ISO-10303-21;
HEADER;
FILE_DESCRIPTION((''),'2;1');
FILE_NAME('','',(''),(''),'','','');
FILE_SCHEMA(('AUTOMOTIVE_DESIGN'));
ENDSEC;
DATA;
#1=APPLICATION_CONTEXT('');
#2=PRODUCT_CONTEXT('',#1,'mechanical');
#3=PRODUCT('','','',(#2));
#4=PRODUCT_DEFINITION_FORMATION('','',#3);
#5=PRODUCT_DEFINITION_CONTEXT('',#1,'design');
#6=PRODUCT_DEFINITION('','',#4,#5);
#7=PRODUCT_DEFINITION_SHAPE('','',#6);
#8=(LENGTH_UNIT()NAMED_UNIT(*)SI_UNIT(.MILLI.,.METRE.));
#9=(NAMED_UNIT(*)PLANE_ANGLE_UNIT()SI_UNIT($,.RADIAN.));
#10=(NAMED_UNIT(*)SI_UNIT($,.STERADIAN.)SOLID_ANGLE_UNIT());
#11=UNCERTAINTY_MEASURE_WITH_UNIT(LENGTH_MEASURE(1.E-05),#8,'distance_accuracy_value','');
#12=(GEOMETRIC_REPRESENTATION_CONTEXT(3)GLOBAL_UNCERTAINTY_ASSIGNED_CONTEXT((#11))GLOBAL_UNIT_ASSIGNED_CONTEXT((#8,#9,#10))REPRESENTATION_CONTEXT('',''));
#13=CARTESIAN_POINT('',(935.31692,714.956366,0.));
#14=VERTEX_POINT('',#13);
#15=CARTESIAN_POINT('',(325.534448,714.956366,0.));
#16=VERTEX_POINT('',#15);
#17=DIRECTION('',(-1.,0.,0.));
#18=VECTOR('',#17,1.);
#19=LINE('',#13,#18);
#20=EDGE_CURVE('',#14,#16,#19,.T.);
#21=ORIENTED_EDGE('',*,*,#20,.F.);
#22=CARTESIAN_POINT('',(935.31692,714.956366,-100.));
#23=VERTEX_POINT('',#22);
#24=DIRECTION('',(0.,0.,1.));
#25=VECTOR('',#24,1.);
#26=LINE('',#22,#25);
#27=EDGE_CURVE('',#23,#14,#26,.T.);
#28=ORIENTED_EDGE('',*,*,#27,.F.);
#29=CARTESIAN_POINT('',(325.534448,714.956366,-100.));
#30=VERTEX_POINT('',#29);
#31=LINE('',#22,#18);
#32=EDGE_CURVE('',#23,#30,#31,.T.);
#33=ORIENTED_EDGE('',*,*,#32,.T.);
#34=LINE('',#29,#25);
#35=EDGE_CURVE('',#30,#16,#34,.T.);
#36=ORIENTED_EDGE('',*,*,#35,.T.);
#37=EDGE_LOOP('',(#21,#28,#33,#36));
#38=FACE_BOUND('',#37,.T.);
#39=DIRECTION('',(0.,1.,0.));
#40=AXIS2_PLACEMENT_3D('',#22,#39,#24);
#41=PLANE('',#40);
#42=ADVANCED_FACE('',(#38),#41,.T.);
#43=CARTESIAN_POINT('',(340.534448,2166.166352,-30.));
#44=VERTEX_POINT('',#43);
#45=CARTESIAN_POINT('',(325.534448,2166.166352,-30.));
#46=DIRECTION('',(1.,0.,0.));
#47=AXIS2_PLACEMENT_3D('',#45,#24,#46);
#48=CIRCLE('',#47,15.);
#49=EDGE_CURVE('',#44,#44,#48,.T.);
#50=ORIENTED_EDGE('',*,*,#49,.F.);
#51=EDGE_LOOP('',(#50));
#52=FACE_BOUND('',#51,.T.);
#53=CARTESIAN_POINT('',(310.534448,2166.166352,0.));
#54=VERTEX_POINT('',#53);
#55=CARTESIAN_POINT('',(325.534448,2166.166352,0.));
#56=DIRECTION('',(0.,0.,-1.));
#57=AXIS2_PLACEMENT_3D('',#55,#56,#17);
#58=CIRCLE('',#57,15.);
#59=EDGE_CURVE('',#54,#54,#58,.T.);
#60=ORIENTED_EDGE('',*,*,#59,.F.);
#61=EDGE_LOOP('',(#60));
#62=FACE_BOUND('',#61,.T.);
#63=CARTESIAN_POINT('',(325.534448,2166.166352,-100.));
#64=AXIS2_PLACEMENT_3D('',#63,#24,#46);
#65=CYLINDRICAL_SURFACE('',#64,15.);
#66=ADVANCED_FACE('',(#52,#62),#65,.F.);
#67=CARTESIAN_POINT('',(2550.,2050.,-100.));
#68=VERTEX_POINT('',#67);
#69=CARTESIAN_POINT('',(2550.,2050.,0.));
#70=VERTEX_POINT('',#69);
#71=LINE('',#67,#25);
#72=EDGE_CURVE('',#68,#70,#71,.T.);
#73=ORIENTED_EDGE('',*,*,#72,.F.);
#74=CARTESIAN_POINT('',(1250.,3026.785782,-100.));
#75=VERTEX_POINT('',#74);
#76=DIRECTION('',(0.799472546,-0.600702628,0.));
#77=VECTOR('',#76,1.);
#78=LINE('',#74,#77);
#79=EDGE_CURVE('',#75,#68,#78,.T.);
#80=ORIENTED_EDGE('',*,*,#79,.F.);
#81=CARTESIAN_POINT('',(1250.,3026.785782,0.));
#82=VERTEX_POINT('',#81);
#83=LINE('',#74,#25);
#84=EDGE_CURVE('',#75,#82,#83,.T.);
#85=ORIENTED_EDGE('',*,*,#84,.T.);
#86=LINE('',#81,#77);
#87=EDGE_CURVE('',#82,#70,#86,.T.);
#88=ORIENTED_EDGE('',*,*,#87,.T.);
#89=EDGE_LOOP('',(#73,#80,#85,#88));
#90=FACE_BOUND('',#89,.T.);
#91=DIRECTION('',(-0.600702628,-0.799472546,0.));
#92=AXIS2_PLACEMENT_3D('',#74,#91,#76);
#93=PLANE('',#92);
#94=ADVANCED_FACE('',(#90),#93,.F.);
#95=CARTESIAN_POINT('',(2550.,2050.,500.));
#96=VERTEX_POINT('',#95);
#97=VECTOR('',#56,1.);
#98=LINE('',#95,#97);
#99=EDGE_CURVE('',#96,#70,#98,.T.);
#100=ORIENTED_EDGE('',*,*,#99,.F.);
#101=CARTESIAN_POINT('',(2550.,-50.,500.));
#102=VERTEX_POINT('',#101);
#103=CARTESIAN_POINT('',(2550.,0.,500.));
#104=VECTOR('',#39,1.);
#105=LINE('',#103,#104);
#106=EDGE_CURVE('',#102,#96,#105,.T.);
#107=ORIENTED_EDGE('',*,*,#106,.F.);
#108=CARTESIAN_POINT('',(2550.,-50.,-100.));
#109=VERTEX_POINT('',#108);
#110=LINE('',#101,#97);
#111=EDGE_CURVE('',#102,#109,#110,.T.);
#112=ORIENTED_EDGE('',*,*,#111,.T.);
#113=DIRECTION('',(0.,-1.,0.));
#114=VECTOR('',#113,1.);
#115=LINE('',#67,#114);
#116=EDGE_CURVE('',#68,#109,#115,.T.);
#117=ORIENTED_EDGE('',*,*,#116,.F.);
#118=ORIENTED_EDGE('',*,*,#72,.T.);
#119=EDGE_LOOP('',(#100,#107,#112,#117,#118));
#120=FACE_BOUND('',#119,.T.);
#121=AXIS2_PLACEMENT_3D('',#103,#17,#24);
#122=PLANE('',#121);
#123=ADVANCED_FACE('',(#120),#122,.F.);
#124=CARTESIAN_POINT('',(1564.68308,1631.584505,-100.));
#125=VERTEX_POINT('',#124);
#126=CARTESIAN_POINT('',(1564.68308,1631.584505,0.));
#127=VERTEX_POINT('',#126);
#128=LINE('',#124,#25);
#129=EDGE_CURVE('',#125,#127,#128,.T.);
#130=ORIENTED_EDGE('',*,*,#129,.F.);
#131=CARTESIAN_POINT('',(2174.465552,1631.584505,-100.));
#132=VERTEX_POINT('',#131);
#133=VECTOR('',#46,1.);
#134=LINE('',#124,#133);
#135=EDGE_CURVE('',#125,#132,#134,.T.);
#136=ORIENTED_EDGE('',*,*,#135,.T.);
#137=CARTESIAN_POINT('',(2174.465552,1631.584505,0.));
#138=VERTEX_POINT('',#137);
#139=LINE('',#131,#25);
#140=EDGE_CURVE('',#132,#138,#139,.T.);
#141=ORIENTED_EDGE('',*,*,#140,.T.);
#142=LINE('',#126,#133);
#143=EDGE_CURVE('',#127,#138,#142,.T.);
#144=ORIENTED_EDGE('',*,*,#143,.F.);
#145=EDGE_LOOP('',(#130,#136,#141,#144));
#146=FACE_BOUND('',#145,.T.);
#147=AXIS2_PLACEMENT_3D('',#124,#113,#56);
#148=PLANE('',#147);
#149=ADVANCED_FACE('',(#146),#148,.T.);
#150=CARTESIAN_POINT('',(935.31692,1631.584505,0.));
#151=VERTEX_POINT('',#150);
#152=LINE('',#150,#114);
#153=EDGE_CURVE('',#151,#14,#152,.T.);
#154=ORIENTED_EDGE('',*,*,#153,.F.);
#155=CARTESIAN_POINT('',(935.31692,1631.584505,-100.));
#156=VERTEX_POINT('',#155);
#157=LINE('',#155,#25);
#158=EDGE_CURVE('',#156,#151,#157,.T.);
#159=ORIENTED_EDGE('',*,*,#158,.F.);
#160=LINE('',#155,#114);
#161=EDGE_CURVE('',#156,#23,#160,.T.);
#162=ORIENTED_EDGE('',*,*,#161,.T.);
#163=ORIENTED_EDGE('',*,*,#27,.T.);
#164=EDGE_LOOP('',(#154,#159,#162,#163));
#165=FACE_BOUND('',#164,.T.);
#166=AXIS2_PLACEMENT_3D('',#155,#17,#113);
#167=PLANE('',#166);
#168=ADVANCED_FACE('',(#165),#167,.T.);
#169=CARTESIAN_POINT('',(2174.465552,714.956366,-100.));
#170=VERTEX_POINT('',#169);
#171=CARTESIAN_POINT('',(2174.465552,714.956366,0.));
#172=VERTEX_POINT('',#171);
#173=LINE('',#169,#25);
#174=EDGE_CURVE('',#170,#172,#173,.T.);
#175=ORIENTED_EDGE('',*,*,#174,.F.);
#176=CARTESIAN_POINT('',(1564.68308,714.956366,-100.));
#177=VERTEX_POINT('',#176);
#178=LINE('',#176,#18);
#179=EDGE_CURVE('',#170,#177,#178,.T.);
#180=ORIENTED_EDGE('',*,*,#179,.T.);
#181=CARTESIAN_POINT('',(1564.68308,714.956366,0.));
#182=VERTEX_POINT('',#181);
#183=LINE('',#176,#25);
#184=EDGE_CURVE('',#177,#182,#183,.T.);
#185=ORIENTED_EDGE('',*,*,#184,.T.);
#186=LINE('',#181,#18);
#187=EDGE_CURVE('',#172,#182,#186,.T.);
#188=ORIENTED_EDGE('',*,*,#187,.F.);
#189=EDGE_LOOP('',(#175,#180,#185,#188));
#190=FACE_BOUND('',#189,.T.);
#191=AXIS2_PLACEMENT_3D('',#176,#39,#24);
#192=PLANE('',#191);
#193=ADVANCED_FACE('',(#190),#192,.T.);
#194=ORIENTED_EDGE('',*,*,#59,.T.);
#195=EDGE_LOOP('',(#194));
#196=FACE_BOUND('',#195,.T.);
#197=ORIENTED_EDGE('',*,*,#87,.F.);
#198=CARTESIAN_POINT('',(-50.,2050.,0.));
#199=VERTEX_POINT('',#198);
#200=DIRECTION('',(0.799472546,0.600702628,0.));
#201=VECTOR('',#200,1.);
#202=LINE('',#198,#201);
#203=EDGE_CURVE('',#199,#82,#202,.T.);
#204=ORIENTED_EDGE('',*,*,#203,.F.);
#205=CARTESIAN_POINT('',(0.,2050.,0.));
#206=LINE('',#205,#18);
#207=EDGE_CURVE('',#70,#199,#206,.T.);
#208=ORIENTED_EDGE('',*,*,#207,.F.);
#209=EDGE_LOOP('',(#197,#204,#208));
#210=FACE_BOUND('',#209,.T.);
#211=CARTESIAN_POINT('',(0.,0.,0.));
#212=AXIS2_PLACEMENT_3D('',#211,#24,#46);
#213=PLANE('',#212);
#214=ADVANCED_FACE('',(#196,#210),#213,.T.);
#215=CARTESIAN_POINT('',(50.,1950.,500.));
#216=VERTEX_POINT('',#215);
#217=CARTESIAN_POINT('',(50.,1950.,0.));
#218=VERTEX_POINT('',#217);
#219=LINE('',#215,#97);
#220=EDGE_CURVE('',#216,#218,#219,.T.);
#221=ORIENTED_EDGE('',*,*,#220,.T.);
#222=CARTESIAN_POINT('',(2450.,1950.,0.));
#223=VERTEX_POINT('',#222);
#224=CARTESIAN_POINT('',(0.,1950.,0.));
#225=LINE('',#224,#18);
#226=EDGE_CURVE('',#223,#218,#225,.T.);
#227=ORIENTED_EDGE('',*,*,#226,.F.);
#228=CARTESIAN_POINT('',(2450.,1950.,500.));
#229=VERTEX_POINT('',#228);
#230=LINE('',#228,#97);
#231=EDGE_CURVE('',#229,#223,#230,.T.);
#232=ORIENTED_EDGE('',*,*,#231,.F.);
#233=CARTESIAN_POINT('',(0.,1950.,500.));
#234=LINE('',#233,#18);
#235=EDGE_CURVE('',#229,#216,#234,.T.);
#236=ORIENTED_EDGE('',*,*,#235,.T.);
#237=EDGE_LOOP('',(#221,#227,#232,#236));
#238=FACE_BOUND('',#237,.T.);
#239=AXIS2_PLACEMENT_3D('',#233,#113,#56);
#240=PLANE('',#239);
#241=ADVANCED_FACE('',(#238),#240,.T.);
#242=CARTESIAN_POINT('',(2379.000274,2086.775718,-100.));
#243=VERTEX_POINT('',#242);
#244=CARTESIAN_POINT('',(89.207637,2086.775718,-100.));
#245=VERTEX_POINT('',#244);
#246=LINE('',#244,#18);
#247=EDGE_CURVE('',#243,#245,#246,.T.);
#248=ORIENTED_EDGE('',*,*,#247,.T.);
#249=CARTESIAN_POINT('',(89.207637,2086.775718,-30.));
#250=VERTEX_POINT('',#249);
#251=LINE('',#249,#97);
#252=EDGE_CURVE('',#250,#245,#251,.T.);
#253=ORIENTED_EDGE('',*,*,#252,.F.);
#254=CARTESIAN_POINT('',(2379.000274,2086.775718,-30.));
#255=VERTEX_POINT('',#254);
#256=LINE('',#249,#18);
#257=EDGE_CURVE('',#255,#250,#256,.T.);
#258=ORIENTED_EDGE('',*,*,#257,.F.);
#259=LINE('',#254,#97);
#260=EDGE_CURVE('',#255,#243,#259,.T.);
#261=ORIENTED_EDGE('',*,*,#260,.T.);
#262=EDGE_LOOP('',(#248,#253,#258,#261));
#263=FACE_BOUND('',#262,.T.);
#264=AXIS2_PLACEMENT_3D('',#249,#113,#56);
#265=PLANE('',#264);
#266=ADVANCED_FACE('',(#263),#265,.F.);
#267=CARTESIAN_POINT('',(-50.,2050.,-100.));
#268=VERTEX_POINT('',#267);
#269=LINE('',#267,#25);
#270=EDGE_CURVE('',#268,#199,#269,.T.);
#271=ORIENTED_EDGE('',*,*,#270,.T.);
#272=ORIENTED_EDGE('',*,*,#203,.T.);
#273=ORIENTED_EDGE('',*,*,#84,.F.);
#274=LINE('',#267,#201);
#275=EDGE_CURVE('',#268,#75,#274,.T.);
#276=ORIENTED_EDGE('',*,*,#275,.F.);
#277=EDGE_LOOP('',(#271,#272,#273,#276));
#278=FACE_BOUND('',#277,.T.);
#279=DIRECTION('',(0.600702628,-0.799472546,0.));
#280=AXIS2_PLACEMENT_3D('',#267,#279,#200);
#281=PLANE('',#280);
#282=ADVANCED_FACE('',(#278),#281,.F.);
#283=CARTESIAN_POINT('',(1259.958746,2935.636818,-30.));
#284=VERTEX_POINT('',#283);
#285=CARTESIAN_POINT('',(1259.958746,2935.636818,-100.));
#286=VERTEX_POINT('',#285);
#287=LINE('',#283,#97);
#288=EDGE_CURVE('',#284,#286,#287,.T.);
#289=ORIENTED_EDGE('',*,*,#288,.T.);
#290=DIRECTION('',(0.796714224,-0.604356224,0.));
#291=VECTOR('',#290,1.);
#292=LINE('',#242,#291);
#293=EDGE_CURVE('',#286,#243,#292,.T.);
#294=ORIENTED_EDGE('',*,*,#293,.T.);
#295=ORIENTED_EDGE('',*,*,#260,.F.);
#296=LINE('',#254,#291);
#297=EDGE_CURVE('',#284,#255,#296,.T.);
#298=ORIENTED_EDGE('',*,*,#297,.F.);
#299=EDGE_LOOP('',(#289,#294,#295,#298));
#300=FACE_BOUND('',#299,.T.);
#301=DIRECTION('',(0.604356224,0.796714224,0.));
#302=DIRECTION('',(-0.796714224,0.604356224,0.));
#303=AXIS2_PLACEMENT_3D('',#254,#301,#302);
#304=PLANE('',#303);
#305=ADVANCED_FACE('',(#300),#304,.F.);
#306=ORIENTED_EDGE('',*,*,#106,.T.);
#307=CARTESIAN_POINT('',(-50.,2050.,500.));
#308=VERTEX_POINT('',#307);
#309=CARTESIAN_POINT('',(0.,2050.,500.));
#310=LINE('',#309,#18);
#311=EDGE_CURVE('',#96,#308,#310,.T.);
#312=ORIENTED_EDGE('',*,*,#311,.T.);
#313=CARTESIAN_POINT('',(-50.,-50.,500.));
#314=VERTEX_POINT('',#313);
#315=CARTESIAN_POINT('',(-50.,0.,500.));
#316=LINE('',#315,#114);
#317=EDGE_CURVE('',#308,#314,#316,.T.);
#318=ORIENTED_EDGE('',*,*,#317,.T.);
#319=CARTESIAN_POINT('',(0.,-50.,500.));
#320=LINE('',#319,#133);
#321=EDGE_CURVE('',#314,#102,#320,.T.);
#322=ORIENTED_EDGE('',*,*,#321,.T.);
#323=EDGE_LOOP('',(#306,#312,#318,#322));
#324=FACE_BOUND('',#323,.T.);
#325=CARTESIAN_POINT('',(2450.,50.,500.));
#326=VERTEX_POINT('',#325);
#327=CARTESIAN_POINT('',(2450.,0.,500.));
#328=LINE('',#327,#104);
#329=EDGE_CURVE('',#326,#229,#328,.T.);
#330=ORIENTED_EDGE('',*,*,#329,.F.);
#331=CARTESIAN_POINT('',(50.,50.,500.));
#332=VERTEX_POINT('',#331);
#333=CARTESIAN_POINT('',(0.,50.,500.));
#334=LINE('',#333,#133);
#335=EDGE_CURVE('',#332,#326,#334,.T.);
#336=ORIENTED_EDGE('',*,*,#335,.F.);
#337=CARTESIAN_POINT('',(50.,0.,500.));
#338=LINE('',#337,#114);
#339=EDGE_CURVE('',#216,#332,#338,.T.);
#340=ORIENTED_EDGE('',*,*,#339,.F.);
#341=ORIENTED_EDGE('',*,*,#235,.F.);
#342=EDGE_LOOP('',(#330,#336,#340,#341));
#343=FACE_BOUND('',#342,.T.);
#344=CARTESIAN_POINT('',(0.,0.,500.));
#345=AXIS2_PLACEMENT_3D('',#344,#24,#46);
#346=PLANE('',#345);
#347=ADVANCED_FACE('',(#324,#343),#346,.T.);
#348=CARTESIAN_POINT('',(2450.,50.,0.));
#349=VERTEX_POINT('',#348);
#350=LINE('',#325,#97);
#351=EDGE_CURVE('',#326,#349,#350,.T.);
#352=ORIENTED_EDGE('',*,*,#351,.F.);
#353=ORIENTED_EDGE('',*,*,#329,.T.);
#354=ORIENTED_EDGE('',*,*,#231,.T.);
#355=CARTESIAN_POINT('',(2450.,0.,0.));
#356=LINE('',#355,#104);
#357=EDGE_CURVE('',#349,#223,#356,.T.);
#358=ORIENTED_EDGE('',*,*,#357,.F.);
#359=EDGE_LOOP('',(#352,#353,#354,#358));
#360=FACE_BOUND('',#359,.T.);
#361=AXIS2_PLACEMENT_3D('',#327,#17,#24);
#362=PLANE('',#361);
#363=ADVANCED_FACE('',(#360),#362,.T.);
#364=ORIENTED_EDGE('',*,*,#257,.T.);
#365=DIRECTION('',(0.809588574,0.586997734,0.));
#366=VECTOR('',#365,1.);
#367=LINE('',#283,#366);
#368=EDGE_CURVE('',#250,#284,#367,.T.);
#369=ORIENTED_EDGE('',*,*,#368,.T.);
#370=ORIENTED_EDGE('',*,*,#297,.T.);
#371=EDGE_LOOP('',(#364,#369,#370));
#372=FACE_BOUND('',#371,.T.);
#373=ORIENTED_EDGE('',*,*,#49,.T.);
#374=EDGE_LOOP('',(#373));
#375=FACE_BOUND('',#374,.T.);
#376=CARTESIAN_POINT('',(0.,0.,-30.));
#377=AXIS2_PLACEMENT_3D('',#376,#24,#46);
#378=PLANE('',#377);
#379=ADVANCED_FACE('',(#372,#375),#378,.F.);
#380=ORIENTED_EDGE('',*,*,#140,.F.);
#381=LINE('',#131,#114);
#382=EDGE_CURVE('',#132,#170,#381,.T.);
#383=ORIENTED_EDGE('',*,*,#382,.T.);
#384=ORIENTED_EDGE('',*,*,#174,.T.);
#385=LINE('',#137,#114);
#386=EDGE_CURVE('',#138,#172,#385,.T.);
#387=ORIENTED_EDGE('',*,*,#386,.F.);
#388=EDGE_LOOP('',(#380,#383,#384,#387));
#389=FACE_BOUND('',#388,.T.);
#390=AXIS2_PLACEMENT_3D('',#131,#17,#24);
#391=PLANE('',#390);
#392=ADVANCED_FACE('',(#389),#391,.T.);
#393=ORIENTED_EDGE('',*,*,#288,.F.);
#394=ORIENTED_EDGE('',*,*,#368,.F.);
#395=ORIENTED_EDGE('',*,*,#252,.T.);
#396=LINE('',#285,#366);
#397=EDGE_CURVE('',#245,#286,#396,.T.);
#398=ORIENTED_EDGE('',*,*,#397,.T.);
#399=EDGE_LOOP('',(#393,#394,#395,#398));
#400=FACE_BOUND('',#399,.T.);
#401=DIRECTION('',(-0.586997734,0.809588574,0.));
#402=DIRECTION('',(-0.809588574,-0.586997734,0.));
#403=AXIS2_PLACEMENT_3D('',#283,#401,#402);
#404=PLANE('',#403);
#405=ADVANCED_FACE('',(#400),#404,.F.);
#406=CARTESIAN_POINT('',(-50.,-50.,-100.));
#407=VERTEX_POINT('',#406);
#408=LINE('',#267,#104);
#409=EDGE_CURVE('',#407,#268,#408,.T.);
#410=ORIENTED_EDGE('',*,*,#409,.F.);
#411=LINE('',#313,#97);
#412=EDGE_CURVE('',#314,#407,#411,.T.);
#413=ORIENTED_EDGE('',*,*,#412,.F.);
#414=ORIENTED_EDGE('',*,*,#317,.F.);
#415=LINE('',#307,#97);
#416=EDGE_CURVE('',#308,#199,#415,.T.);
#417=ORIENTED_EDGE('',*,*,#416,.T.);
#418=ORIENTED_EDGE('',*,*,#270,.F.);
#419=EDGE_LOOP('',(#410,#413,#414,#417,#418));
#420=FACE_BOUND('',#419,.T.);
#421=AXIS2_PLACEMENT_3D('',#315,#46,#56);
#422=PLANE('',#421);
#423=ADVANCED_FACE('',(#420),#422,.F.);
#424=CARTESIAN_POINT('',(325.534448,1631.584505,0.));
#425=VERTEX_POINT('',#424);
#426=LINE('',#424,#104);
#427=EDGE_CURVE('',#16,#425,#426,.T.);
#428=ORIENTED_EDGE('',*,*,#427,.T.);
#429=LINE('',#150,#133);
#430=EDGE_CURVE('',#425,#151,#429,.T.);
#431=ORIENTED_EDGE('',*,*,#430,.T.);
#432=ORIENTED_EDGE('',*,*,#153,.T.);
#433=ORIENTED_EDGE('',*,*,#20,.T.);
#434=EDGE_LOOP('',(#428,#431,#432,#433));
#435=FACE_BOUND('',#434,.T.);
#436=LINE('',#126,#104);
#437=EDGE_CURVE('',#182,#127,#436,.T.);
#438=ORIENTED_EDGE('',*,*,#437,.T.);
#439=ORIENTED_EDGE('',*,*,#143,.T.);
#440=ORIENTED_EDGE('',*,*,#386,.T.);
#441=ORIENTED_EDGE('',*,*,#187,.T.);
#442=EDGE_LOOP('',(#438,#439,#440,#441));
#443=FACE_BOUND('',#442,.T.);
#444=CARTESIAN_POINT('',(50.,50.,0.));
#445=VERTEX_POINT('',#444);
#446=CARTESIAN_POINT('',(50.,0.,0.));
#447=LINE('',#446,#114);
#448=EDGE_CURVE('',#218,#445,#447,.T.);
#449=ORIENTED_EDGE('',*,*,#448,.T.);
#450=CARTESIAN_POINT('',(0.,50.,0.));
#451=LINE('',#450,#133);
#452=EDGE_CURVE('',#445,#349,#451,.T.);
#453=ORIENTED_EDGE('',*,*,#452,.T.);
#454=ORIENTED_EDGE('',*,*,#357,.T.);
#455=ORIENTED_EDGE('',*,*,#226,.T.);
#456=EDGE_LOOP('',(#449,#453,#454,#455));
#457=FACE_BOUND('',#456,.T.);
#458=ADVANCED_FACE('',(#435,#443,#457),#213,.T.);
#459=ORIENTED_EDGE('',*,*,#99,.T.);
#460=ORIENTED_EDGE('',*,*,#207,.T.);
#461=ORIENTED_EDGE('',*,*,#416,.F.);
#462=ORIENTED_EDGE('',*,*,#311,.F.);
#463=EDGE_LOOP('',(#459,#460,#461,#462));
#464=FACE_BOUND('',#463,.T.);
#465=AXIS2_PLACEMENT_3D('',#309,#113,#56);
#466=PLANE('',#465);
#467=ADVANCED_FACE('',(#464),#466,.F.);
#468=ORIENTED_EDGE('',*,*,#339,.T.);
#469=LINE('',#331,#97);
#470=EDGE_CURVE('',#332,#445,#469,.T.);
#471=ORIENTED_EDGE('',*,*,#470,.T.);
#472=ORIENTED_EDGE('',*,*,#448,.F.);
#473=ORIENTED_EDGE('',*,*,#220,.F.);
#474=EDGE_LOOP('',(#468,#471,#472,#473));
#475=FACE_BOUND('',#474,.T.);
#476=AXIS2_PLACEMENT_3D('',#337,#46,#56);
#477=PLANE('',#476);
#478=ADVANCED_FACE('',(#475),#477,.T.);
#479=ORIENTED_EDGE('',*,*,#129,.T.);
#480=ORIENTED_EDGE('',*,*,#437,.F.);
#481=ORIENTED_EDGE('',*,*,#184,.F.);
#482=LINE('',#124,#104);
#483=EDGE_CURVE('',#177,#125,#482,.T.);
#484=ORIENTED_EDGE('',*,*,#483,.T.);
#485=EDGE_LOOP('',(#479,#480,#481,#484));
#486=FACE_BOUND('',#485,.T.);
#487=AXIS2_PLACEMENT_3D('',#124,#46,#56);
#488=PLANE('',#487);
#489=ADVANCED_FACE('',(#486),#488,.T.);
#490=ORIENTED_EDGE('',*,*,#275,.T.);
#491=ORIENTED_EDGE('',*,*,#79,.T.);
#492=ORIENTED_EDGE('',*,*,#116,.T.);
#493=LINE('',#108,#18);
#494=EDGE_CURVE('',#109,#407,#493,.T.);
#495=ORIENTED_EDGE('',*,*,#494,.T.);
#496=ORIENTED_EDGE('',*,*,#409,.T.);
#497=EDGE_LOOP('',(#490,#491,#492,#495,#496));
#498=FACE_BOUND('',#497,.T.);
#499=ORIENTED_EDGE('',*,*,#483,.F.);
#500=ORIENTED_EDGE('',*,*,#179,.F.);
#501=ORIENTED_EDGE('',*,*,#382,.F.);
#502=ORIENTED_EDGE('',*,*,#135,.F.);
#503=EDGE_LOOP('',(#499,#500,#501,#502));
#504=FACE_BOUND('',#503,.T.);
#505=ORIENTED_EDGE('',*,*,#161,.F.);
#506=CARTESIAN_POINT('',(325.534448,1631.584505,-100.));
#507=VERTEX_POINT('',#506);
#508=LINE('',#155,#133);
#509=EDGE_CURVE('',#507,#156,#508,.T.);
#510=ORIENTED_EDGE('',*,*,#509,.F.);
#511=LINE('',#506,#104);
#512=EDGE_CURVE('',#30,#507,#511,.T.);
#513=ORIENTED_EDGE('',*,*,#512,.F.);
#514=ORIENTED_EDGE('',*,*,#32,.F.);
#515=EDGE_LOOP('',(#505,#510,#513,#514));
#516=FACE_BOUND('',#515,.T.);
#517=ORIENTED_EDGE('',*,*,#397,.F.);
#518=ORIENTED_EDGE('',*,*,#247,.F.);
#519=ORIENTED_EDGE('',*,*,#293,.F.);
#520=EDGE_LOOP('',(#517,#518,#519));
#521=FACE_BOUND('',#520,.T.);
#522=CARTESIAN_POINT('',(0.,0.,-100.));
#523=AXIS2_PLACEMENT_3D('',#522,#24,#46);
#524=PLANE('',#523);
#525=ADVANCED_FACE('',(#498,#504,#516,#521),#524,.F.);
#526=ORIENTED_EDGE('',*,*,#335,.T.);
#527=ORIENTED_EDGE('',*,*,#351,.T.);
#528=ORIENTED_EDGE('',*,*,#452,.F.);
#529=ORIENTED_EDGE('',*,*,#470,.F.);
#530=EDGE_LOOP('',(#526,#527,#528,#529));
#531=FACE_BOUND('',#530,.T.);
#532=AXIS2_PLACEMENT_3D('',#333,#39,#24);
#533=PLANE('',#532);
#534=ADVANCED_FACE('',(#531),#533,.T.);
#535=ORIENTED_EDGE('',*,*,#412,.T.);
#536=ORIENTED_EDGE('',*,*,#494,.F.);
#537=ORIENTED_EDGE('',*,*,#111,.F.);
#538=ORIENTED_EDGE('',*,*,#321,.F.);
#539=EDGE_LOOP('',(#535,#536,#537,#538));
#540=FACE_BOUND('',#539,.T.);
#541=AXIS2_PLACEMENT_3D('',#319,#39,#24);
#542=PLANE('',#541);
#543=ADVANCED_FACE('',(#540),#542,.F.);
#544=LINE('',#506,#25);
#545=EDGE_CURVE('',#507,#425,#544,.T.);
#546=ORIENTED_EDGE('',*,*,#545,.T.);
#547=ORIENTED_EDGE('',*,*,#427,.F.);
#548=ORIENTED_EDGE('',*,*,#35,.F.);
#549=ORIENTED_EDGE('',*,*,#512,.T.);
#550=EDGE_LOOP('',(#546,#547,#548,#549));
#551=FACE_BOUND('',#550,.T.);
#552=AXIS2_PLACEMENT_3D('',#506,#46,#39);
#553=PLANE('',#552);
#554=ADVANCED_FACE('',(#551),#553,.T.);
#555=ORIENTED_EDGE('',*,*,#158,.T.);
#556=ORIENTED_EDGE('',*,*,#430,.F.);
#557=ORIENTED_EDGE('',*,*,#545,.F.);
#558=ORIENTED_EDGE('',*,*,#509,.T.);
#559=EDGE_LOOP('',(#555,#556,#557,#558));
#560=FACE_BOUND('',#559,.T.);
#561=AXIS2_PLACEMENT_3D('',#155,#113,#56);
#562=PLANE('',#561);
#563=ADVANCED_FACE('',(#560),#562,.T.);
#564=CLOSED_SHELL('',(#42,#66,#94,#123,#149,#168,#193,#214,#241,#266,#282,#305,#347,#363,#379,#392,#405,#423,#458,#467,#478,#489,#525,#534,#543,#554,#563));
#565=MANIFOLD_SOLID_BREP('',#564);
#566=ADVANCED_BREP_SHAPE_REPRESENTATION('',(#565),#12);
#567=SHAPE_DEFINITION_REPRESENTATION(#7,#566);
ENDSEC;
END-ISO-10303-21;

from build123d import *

# Parameters (mm, degrees)
SKETCH_2_W          = 2600
SKETCH_2_H          = 2100
SKETCH_2_W_2        = 2400
SKETCH_2_H_2        = 1900
EXTRUDE_1_DEPTH     = 500
SKETCH_3_R          = 15
SKETCH_3_W          = 609.782472484
SKETCH_3_H          = 916.628139727
EXTRUDE_1_2_DEPTH   = 100
CUT_EXTRUDE_1_DEPTH = 70


with BuildPart() as part:
    # Эскиз2 → Extrude 1 (new body)
    with BuildSketch(Plane.XY):
        with Locations((1250, 1000)):
            Rectangle(SKETCH_2_W, SKETCH_2_H)
        with Locations((1250, 1000)):
            Rectangle(SKETCH_2_W_2, SKETCH_2_H_2, mode=Mode.SUBTRACT)
    extrude(amount=EXTRUDE_1_DEPTH)

    # Эскиз3 → Extrude 1 2 (add)
    with BuildSketch(Plane(origin=(0, 0, 0), x_dir=(-1, 0, 0), z_dir=(0, 0, -1))):
        Polygon((-2550, 2050), (-2550, -50), (50, -50), (50, 2050), (-1250, 3026.785782271), align=None)
        with Locations((-325.534447993, 2166.166351537)):
            Circle(SKETCH_3_R, mode=Mode.SUBTRACT)
        with Locations((-630.425684235, 1173.270435634)):
            Rectangle(SKETCH_3_W, SKETCH_3_H, mode=Mode.SUBTRACT)
        with Locations((-1869.574315765, 1173.270435634)):
            Rectangle(SKETCH_3_W, SKETCH_3_H, mode=Mode.SUBTRACT)
    extrude(amount=EXTRUDE_1_2_DEPTH)

    # Эскиз4 → Вырез-Вытянуть1 (cut)
    with BuildSketch(Plane(origin=(0, 0, -100), x_dir=(-1, 0, 0), z_dir=(0, 0, -1))):
        Polygon((-2379.000274161, 2086.775717822), (-1259.958745803, 2935.636818267), (-89.207637204, 2086.775717822), align=None)
    extrude(amount=-CUT_EXTRUDE_1_DEPTH, mode=Mode.SUBTRACT)


solid = part.part
